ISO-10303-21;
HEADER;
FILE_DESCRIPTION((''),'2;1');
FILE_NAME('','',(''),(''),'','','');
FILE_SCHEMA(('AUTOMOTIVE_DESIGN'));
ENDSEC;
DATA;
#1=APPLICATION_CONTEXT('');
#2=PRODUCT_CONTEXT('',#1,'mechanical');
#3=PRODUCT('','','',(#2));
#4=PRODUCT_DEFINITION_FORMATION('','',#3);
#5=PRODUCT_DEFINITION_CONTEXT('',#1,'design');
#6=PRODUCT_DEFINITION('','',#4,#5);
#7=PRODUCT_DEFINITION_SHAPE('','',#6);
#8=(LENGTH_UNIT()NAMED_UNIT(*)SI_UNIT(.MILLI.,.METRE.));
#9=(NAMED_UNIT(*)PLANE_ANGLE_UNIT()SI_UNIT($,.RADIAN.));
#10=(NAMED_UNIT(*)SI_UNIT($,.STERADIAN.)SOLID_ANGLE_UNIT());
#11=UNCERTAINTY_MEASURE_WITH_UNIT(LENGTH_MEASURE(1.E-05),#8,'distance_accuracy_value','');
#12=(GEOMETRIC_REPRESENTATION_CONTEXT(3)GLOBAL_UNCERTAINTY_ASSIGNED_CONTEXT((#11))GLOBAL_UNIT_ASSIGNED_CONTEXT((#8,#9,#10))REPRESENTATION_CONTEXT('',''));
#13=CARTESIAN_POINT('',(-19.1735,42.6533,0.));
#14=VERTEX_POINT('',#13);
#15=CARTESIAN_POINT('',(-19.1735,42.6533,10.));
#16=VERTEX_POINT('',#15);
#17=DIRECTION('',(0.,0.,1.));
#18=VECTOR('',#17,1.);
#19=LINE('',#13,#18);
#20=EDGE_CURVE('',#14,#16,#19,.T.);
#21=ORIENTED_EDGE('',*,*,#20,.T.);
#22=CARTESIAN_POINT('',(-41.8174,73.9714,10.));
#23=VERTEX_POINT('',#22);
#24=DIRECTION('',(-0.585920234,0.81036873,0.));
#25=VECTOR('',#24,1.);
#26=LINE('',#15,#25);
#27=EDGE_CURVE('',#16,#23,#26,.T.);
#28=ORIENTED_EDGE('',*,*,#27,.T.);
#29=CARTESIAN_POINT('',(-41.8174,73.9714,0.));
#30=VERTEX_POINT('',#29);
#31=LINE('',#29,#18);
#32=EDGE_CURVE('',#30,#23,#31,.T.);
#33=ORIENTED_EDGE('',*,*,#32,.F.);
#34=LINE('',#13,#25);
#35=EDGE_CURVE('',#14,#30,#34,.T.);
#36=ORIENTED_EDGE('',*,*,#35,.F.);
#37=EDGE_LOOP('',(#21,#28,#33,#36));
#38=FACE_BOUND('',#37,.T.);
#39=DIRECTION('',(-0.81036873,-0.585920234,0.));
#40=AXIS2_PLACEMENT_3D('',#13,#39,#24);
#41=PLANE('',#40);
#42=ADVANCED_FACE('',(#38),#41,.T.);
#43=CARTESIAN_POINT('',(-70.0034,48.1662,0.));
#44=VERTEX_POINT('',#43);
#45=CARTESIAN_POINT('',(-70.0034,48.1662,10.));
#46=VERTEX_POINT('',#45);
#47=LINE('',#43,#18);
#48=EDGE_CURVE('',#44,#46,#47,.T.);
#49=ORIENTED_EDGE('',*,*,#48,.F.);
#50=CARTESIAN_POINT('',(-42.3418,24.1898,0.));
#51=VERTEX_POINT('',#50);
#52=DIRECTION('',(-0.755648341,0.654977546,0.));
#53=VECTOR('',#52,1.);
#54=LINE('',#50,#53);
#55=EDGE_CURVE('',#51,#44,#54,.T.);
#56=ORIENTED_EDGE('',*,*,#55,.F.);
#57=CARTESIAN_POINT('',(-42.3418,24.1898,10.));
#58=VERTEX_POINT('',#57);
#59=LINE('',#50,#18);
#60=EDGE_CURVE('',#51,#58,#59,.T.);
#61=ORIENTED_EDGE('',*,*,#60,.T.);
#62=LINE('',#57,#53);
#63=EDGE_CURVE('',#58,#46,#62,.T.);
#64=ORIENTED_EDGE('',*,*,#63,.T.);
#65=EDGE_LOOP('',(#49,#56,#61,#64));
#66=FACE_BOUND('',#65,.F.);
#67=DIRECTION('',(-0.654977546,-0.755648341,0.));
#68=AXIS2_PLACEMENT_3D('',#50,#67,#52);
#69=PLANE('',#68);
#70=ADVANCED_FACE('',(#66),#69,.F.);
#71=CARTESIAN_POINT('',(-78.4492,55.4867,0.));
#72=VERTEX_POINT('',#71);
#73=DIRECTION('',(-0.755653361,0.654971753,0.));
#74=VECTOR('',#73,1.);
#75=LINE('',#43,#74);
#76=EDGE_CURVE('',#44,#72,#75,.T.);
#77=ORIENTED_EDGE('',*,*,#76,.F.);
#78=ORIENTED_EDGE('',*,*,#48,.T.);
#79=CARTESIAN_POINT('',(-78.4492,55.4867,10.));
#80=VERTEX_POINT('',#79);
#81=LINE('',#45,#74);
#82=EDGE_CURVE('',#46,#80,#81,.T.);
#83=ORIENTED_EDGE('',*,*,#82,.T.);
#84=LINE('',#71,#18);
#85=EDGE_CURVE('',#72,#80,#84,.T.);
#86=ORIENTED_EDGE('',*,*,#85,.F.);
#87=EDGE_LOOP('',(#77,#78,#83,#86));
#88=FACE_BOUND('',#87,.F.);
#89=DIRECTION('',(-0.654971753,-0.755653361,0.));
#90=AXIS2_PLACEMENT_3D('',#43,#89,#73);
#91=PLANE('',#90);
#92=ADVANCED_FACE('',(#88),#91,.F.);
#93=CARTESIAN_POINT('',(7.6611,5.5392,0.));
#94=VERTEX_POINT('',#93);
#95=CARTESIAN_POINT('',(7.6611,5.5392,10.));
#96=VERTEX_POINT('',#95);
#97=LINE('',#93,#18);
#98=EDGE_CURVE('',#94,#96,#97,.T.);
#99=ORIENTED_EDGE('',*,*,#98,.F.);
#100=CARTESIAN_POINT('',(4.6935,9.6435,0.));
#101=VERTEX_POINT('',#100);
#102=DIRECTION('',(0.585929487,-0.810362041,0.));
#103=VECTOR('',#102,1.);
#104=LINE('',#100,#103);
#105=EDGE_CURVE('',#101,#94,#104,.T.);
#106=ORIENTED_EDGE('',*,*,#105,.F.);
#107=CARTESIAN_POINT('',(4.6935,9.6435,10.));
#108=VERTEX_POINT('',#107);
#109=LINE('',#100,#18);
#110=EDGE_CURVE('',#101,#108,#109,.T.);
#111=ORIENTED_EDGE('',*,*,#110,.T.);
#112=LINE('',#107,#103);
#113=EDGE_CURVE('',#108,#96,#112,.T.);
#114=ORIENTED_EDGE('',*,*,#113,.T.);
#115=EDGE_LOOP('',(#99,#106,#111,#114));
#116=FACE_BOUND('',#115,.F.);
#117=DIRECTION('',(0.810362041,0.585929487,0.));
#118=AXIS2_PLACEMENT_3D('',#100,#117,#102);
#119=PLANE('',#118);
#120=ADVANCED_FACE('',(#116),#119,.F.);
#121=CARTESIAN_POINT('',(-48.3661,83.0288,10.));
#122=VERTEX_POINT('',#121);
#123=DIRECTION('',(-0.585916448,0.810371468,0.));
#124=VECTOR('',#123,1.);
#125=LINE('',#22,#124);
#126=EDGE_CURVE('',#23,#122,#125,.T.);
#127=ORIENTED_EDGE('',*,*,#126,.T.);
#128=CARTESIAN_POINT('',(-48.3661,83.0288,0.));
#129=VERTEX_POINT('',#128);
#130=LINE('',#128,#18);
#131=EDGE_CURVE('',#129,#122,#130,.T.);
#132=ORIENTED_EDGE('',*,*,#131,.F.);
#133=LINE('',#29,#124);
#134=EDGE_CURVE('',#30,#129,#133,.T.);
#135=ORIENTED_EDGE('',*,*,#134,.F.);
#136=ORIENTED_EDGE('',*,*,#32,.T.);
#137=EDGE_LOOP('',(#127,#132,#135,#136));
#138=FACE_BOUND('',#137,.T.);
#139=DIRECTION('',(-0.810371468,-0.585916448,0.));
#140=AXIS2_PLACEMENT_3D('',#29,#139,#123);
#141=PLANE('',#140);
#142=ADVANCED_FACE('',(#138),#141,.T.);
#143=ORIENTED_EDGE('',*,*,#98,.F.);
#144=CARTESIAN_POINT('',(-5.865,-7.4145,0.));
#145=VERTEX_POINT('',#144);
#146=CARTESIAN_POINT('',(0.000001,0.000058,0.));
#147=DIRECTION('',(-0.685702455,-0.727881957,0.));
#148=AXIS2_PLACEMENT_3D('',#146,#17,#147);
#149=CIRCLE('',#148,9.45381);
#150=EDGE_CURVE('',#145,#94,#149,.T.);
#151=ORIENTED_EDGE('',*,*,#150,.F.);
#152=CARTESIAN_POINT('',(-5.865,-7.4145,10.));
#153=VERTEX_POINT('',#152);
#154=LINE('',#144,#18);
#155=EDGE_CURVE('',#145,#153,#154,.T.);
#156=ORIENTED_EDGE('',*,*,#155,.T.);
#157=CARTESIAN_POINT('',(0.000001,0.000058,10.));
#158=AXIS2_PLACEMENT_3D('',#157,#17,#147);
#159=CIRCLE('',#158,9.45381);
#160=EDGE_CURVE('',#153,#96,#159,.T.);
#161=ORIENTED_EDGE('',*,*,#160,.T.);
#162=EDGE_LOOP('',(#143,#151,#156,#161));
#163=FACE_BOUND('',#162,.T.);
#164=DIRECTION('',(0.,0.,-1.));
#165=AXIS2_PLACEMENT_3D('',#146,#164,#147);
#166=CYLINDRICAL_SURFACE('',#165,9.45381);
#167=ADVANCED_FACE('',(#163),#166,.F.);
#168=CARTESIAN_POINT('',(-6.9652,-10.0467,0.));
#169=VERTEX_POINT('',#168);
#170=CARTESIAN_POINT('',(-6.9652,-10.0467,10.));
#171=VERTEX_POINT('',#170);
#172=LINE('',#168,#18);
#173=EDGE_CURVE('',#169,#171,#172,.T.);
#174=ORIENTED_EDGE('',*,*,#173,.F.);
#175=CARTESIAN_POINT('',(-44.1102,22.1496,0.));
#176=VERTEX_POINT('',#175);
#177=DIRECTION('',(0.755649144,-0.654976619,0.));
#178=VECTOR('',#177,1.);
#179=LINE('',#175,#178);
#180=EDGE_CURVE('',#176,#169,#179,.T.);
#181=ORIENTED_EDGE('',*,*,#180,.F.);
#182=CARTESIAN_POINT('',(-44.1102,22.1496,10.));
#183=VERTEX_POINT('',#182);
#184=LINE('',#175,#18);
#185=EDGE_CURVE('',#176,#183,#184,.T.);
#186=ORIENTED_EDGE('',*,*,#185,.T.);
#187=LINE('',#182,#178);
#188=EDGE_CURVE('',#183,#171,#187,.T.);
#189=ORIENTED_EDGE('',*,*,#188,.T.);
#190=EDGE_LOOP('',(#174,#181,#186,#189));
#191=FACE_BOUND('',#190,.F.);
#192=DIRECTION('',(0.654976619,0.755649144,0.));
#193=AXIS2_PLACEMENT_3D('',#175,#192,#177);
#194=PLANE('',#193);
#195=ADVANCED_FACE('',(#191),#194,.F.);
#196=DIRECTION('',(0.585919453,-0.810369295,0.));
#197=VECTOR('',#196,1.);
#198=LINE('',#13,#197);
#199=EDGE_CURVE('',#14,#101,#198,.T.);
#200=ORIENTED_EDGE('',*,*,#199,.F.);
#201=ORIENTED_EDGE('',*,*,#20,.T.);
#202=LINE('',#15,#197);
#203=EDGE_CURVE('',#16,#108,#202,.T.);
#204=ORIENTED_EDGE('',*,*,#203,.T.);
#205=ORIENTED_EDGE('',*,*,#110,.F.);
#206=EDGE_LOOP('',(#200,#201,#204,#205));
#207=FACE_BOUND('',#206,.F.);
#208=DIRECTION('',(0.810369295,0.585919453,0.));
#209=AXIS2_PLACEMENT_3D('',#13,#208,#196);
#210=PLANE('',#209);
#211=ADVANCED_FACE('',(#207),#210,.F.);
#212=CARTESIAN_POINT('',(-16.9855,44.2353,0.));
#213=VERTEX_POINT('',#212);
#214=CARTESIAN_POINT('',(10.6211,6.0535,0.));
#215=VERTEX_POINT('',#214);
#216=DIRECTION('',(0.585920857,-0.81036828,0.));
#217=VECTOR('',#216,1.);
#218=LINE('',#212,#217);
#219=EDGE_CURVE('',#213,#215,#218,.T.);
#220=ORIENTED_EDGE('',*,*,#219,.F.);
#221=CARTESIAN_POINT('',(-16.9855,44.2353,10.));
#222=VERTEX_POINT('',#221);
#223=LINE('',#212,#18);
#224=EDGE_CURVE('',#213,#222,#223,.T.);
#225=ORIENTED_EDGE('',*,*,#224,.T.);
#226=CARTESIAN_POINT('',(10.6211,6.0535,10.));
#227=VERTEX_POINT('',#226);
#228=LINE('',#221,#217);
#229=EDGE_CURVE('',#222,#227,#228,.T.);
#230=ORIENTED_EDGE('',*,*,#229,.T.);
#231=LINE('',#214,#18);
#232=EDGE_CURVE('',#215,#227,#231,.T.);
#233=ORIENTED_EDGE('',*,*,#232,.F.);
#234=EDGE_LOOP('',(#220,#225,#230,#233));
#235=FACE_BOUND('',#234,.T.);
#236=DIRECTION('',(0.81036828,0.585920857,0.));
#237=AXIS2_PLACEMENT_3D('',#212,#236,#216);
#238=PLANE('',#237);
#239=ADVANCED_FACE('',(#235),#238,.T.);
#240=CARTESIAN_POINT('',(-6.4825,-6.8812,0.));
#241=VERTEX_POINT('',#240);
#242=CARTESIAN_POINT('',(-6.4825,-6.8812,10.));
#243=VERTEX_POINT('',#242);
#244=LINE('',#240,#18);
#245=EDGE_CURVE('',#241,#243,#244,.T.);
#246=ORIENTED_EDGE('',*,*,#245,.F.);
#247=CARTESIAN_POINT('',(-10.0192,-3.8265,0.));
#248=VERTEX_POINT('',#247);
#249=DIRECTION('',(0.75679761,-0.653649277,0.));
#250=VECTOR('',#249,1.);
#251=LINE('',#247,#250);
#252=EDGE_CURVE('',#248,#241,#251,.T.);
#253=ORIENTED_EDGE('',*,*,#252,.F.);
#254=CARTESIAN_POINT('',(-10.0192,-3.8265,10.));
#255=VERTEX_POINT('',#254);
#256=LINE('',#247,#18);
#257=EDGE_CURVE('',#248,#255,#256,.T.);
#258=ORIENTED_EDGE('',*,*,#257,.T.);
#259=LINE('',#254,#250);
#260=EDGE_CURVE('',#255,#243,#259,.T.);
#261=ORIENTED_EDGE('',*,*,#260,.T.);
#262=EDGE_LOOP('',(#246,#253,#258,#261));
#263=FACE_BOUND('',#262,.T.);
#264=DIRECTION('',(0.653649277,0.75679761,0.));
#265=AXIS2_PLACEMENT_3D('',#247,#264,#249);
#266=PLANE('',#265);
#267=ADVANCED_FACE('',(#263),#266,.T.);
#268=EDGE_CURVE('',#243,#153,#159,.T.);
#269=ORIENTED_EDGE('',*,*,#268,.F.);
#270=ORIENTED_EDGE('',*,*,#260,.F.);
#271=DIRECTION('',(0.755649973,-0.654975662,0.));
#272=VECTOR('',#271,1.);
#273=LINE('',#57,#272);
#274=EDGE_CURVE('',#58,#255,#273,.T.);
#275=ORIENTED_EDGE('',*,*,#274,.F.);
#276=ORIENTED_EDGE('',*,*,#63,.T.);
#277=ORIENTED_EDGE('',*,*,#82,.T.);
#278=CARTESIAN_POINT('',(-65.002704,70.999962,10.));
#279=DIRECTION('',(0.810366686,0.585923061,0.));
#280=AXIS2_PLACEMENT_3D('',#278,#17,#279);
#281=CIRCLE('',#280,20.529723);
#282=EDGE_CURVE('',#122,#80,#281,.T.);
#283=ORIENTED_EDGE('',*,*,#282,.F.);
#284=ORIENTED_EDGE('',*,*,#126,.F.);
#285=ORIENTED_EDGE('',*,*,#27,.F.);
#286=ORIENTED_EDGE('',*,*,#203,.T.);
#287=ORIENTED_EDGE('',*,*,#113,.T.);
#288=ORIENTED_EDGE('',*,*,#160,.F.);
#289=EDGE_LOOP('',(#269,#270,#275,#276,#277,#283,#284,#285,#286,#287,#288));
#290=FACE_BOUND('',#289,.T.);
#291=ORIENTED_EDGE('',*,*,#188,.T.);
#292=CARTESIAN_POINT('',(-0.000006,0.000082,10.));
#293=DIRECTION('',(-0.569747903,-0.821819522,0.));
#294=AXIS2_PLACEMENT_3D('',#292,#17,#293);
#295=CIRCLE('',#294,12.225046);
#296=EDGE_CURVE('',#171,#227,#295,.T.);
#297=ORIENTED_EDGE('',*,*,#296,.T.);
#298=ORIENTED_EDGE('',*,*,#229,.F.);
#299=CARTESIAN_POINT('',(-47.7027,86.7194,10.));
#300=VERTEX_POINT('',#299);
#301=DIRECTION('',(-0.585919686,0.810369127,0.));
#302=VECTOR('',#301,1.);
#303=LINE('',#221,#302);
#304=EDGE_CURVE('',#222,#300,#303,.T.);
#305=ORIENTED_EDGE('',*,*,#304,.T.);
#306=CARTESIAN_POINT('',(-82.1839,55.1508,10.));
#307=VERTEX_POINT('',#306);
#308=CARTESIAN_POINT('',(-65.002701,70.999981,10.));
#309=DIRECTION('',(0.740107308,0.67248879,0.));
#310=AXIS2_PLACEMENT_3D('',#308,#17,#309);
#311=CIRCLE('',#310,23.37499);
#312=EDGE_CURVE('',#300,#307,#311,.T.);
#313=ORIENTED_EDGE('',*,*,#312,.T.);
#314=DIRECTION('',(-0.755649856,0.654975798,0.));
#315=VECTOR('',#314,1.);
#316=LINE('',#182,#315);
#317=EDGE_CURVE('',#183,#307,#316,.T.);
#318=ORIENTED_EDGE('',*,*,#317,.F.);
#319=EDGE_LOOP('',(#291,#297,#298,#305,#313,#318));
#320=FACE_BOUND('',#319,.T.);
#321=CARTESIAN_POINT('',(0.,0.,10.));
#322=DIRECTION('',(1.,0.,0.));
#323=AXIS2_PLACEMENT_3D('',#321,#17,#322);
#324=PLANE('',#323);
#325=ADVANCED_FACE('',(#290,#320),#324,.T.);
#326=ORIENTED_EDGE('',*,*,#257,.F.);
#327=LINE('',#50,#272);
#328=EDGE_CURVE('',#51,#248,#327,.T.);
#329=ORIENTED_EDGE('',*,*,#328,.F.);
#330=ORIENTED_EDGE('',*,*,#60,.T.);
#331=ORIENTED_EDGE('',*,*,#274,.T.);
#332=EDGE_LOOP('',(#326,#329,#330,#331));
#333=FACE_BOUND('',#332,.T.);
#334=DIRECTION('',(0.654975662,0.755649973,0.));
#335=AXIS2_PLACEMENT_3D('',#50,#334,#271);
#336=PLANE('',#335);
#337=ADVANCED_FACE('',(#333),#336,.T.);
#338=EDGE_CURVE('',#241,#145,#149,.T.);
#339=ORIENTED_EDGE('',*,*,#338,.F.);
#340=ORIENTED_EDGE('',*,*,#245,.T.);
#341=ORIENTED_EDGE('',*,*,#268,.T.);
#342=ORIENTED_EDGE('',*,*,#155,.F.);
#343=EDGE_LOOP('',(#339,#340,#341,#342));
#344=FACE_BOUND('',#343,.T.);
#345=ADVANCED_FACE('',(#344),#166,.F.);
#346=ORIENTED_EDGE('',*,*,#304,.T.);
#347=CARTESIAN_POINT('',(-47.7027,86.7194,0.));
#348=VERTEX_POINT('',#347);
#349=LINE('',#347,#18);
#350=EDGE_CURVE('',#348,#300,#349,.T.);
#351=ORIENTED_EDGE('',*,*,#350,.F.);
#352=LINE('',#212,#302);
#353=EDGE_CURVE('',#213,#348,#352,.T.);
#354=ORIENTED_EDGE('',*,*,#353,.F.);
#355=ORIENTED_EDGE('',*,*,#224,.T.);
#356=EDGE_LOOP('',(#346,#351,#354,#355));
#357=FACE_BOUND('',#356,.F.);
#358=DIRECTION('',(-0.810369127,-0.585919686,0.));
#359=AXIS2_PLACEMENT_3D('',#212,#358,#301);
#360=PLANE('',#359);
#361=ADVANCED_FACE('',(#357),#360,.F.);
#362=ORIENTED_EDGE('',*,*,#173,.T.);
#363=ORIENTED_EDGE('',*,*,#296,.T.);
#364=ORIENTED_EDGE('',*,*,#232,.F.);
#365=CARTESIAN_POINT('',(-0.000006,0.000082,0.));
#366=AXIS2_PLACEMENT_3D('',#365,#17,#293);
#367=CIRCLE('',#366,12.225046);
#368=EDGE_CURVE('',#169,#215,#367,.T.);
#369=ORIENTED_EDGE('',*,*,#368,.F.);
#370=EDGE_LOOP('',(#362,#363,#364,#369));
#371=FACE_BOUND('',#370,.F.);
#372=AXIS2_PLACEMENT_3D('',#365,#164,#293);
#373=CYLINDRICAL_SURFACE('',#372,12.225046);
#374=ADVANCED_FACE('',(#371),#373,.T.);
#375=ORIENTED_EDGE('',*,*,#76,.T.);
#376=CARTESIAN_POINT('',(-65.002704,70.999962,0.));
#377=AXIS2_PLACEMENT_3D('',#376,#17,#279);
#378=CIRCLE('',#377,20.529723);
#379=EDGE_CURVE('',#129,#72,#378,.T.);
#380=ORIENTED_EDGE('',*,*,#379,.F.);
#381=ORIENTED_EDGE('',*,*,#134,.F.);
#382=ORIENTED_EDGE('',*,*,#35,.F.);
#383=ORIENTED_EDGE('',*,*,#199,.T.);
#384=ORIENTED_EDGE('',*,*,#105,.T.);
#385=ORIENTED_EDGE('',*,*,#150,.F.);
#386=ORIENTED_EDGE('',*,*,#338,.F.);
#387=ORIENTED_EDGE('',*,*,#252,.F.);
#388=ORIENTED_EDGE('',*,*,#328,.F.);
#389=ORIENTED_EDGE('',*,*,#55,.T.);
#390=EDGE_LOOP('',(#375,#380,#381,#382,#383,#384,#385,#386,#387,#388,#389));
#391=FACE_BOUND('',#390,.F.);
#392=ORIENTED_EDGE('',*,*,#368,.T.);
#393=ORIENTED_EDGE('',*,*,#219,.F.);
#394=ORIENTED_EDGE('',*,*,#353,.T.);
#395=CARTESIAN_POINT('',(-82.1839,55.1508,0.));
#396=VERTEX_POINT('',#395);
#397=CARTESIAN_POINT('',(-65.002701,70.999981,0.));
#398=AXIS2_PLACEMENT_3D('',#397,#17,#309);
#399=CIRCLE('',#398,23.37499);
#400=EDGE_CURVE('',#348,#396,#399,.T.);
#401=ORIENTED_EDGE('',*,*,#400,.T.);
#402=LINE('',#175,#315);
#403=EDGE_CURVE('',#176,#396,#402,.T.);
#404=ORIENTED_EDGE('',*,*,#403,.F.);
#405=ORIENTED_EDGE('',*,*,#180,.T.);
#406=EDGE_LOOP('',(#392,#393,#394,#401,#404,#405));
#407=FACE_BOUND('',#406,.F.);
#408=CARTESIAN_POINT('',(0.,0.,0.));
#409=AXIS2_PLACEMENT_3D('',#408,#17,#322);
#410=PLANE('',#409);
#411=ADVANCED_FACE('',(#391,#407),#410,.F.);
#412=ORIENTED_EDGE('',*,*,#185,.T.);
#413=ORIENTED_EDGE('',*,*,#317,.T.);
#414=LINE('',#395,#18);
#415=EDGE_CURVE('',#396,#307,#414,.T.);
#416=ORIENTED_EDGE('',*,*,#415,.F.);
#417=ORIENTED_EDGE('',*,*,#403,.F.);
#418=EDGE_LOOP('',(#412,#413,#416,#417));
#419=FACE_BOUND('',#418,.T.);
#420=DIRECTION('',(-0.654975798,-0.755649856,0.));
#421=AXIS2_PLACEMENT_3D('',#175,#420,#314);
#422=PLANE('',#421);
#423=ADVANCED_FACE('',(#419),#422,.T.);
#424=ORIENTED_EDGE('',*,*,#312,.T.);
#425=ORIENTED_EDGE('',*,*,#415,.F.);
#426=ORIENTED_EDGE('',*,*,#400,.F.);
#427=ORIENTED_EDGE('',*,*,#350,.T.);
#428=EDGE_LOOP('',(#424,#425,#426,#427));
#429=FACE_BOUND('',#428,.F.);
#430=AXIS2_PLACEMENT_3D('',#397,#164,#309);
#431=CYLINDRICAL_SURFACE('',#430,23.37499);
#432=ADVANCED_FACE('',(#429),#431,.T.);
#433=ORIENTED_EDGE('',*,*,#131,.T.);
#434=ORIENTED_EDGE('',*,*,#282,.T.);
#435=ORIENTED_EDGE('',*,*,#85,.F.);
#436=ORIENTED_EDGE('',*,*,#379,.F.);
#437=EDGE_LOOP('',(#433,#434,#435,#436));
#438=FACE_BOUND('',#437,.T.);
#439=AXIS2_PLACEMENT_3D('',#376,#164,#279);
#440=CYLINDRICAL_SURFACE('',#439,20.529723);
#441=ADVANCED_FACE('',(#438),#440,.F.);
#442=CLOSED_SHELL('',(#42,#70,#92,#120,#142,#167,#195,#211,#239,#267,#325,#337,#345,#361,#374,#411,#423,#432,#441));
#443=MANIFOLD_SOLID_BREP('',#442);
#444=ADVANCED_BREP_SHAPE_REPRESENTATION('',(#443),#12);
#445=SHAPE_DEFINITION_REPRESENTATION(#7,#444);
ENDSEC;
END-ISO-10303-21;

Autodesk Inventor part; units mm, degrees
ref_plane "YZ Plane" through (0, 0, 0) normal (1, 0, 0) x (0, 1, 0)
ref_plane "XZ Plane" through (0, 0, 0) normal (0, 1, 0) x (-1, 0, 0)
ref_plane "XY Plane" through (0, 0, 0) normal (0, 0, 1) x (1, 0, 0)
sketch "Szkic1" plane through (0, 0, 0) normal (0, 0, 1) x (1, 0, 0)
  line L0 (-44.1102, 22.1496) -> (-6.9652, -10.0467)
  line L1 (-44.1102, 22.1496) -> (-82.1839, 55.1508)
  line L2 (-16.9855, 44.2353) -> (-47.7027, 86.7194)
  line L3 (-16.9855, 44.2353) -> (10.6211, 6.0535)
  arc A0 (-47.7027, 86.7194) -> (-82.1839, 55.1508) centre (-65.0027, 71) ccw
  arc A1 (-6.9652, -10.0467) -> (10.6211, 6.0535) centre (0, 0) ccw
  line L4 (-19.1735, 42.6533) -> (4.6935, 9.6435)
  line L5 (-42.3418, 24.1898) -> (-70.0034, 48.1662)
  line L6 (-42.3418, 24.1898) -> (-10.0192, -3.8265)
  line L7 (-19.1735, 42.6533) -> (-41.8174, 73.9714)
  arc A2 (-48.3661, 83.0288) -> (-78.4492, 55.4867) centre (-65.0027, 71) ccw
  line L8 (-41.8174, 73.9714) -> (-48.3661, 83.0288)
  line L9 (-70.0034, 48.1662) -> (-78.4492, 55.4867)
  arc A3 (-6.4825, -6.8812) -> (7.6611, 5.5392) centre (0, 0) ccw
  line L10 (4.6935, 9.6435) -> (7.6611, 5.5392)
  line L11 (-10.0192, -3.8265) -> (-5.865, -7.4145)
  point P0 (0, 0)
extrude "Wyciągnięcie proste1" add sketch "Szkic1" along normal blind 10
properties part number "Pas zębaty 10 T5-305"
